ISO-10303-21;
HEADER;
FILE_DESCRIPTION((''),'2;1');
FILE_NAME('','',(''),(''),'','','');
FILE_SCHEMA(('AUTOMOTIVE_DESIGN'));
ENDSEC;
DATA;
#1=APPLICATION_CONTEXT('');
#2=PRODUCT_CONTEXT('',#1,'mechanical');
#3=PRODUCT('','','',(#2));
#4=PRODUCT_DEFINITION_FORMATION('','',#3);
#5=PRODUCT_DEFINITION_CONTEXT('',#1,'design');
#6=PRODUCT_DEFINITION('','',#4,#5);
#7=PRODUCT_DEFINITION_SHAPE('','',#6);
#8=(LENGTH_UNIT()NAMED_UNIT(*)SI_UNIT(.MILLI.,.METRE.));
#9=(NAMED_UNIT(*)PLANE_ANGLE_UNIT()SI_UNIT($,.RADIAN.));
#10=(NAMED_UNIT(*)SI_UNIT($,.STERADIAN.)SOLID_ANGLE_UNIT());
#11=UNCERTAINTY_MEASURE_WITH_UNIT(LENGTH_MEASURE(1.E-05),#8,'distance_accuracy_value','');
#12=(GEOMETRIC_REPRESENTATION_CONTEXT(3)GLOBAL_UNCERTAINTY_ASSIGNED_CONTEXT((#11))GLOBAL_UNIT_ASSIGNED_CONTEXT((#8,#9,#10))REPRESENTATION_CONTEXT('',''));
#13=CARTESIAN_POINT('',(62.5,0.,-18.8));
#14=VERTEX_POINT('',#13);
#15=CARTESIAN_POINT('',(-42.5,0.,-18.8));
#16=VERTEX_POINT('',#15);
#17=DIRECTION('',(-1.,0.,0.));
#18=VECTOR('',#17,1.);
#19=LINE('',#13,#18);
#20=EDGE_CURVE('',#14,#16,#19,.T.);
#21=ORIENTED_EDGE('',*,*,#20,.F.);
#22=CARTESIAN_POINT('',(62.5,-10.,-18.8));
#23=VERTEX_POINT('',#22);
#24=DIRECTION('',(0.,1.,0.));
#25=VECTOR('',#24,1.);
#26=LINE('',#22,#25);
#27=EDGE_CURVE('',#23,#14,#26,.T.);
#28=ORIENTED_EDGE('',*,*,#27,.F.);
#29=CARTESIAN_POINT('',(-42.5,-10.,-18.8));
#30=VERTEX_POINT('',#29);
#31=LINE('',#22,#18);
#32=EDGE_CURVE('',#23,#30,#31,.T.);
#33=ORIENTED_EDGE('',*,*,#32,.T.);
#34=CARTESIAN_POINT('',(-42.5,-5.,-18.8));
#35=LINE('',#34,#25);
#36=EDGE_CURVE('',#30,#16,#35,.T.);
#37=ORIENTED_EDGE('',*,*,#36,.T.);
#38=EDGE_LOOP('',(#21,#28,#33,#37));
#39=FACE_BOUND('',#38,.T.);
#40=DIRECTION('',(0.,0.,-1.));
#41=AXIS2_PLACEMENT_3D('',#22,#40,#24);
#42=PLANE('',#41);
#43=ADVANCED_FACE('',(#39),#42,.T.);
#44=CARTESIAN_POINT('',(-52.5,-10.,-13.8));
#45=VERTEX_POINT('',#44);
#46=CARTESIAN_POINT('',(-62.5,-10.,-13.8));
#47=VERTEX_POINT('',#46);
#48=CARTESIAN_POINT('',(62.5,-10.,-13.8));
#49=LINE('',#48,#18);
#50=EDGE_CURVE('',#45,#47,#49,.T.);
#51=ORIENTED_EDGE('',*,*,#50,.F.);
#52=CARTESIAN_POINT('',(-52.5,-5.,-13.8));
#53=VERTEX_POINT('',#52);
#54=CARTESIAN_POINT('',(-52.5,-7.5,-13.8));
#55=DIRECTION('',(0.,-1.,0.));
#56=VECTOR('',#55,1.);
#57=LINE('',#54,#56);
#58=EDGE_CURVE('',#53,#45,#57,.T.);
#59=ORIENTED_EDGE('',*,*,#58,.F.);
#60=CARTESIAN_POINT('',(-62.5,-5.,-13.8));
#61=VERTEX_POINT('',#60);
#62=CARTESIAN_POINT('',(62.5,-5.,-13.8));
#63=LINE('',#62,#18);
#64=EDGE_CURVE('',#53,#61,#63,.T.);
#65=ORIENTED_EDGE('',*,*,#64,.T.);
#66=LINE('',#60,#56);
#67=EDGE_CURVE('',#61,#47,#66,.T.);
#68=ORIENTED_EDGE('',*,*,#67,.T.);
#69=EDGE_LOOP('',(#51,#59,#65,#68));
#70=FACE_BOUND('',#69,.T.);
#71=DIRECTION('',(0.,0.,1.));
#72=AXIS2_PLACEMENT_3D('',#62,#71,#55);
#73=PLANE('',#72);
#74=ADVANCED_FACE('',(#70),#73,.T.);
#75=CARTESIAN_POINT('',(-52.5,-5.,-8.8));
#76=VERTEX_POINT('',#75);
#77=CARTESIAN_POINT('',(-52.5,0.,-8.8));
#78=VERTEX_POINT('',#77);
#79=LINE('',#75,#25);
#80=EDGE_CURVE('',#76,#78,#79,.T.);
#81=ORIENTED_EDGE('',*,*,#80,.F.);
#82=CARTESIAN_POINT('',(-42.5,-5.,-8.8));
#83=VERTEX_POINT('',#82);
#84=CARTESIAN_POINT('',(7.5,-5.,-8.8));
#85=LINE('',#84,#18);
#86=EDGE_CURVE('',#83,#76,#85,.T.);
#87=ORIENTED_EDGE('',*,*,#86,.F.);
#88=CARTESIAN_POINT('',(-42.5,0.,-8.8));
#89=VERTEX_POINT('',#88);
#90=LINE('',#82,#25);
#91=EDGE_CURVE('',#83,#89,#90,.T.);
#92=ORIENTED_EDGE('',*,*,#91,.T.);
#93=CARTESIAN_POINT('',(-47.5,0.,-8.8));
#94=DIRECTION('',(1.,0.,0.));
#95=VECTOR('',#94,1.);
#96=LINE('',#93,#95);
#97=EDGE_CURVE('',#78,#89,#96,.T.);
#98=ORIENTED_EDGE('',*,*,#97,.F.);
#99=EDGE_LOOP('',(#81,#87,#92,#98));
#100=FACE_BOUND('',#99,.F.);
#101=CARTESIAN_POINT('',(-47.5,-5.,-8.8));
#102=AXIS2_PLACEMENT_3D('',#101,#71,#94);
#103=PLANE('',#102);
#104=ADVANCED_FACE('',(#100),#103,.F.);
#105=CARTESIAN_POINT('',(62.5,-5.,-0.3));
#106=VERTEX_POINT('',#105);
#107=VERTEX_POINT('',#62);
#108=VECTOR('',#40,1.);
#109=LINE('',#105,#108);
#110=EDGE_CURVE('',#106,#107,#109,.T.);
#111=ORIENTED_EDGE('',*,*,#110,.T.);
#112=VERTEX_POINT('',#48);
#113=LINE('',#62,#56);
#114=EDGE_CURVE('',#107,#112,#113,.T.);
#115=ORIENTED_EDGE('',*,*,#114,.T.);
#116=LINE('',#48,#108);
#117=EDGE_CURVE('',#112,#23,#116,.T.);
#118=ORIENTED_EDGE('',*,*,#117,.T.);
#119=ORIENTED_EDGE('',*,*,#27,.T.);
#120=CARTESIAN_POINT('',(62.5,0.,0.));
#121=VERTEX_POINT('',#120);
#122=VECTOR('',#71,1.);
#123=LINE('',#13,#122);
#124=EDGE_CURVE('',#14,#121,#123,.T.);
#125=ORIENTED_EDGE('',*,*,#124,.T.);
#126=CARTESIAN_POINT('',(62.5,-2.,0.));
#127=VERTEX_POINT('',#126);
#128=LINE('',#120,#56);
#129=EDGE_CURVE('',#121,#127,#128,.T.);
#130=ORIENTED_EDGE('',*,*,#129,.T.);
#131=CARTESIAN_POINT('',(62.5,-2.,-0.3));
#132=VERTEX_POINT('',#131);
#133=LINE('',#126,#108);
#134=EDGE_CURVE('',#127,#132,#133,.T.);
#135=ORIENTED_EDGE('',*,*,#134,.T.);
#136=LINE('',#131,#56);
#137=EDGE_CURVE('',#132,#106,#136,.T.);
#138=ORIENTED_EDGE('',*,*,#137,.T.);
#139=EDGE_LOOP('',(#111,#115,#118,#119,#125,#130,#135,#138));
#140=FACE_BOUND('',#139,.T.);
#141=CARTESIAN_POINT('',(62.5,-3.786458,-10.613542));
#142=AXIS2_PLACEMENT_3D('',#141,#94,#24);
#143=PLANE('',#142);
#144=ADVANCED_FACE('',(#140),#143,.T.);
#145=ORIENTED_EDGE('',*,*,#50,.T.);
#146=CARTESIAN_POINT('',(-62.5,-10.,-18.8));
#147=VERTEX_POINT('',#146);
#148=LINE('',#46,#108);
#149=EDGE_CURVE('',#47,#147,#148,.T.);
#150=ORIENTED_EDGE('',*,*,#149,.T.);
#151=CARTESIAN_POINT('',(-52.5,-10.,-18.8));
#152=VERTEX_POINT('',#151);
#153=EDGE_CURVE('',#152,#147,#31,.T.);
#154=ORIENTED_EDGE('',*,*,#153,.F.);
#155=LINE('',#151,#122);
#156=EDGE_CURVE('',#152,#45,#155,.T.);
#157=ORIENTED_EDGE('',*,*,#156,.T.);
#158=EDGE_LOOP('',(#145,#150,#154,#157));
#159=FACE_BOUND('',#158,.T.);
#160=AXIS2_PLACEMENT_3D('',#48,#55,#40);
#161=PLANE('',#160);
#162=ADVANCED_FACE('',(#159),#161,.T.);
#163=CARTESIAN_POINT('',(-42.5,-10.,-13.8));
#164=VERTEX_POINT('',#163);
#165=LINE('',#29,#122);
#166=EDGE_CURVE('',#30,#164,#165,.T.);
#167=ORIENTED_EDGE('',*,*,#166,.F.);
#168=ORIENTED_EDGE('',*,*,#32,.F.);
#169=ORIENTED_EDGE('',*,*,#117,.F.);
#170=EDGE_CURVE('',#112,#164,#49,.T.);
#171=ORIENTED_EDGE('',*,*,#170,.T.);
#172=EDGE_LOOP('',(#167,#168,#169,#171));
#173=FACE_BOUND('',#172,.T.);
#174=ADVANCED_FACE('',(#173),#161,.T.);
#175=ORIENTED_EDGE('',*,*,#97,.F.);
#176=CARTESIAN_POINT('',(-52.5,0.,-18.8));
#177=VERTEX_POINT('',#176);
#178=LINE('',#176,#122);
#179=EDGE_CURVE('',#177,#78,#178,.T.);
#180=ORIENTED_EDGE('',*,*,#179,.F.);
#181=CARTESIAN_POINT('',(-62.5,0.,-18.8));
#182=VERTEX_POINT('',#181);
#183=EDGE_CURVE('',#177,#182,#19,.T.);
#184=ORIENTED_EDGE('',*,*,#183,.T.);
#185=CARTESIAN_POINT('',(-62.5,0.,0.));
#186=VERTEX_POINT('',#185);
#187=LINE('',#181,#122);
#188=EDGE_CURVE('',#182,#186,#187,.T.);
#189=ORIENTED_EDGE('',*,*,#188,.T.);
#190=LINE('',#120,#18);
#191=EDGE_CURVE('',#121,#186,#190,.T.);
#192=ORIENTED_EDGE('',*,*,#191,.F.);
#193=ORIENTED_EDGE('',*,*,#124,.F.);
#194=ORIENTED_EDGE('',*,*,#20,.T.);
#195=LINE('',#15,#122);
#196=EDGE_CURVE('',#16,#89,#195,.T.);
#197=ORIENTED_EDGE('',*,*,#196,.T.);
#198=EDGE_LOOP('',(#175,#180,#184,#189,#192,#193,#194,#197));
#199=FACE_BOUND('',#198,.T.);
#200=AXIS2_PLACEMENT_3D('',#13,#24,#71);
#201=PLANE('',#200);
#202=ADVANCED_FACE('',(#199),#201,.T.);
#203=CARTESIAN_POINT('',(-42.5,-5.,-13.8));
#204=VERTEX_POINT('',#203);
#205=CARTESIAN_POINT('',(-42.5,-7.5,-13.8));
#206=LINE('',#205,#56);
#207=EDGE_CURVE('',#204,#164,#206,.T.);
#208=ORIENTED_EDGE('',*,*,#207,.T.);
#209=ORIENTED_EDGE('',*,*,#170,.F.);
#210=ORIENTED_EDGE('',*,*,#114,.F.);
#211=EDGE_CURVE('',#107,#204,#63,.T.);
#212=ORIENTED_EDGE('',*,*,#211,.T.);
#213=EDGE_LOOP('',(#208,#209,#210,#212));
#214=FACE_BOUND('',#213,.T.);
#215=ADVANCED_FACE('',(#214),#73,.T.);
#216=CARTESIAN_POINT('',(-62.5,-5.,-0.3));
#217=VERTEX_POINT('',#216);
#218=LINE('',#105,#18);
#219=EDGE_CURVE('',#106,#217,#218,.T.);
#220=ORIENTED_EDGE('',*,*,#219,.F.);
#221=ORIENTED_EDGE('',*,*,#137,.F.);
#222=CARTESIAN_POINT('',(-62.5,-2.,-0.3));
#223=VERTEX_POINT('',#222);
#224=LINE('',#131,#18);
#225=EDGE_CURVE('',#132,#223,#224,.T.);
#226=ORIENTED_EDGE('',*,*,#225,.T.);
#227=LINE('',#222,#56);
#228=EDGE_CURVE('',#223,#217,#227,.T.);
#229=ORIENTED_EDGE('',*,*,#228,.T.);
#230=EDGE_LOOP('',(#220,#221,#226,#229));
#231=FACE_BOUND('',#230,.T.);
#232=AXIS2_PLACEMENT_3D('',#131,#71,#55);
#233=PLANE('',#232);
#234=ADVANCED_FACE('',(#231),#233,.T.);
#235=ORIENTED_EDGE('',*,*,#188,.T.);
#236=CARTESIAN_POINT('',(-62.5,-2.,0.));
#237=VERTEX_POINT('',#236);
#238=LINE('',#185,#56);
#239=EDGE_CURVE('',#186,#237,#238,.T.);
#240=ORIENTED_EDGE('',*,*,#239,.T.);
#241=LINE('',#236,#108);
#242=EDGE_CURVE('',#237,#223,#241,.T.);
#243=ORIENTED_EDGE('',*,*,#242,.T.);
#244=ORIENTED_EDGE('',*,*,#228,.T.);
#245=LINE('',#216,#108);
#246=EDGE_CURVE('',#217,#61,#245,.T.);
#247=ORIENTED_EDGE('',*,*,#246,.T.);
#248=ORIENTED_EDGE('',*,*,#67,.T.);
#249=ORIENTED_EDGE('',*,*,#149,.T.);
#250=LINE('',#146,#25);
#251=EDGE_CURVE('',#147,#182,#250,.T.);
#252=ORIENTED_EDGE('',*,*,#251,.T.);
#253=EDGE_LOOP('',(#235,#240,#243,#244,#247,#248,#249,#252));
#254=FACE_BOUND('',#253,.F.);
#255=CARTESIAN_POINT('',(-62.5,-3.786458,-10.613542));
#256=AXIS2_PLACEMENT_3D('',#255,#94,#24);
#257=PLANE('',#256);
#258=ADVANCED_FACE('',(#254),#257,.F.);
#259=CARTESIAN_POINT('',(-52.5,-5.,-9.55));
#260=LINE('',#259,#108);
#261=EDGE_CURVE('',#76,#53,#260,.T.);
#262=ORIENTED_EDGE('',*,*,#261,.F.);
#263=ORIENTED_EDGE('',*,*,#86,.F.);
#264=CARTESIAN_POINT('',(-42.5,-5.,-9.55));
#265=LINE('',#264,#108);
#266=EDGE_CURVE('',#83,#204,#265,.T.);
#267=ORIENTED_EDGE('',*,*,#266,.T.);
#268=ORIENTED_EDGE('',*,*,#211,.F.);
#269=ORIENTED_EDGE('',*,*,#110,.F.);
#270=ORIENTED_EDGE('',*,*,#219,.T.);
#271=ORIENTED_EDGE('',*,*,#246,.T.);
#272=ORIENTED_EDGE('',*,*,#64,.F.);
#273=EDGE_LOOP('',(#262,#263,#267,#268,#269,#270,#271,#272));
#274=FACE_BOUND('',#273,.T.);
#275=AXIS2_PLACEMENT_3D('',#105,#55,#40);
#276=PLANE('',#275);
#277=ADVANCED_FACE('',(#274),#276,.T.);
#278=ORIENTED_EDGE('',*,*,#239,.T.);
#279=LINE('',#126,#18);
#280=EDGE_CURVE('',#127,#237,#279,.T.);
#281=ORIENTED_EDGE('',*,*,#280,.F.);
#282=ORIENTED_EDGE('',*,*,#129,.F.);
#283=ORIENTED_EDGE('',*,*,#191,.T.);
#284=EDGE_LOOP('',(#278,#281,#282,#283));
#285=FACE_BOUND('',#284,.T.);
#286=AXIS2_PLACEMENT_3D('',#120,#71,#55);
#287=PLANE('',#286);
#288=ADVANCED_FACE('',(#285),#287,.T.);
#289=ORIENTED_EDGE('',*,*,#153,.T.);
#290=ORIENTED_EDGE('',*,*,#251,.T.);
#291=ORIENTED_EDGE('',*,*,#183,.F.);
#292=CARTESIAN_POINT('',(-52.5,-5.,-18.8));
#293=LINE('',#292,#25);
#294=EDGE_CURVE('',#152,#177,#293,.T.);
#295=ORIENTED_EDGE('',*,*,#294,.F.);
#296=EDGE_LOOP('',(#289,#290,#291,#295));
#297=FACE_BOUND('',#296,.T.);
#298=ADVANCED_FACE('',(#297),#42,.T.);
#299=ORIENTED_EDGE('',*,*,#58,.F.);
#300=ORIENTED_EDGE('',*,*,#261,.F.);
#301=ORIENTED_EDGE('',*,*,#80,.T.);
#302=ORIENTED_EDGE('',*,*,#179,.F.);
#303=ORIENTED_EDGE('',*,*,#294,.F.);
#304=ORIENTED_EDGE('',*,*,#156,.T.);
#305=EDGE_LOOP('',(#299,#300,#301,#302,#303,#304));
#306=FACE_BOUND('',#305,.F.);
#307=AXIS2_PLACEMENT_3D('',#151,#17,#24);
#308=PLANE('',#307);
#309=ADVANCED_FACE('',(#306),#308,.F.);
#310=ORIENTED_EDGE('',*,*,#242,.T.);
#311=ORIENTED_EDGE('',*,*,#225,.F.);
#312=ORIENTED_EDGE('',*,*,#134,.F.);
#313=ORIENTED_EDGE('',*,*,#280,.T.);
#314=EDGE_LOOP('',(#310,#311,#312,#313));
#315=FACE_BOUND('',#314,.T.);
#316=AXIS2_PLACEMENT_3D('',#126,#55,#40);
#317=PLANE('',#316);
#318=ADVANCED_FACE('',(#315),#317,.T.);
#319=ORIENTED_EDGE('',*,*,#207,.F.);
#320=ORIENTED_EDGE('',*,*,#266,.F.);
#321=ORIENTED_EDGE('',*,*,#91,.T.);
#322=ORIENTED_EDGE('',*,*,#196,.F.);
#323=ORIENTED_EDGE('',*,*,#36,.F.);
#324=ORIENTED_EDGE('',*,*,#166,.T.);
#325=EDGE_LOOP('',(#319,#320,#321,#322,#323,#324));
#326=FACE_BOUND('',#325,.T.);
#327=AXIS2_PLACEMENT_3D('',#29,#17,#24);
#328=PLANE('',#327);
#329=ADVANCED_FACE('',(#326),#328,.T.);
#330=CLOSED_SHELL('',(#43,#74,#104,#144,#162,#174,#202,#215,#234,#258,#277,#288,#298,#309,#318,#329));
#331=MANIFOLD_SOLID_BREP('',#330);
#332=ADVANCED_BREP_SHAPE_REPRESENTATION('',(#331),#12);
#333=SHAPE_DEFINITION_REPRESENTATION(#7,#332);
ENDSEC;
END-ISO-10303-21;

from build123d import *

# Parameters (mm, degrees)
BOX_W                   = 10
BOX_H                   = 10
BOX_DEPTH               = 10
EXTRUDE_DEPTH           = 125
LINK001_PLACEMENT_ANGLE = 270


with BuildPart() as cube:
    # Box → Box (new body)
    with BuildSketch(Plane(origin=(-52.5, -10, -18.8), x_dir=(1, 0, 0), z_dir=(0, 0, 1))):
        with Locations((5, 5)):
            Rectangle(BOX_W, BOX_H)
    extrude(amount=BOX_DEPTH)


with BuildPart() as cut:
    # Sketch001 → Extrude (new body)
    with BuildSketch(Plane.XZ):
        Polygon((-60.5, 0), (-60.5, -0.3), (-57.5, -0.3), (-57.5, -13.8), (-52.5, -13.8), (-52.5, -18.8), (-62.5, -18.8), (-62.5, 0), align=None)
    extrude(amount=EXTRUDE_DEPTH)


with BuildPart() as cut_1:
    # Link001 placement: moved
    add(cut.part.moved(Location((62.5, -62.5, 0))).rotate(Axis((62.5, -62.5, 0), (0, 0, 1)), LINK001_PLACEMENT_ANGLE))

    # Cut: cut Cube
    add(cube.part, mode=Mode.SUBTRACT)


solid = cut_1.part
